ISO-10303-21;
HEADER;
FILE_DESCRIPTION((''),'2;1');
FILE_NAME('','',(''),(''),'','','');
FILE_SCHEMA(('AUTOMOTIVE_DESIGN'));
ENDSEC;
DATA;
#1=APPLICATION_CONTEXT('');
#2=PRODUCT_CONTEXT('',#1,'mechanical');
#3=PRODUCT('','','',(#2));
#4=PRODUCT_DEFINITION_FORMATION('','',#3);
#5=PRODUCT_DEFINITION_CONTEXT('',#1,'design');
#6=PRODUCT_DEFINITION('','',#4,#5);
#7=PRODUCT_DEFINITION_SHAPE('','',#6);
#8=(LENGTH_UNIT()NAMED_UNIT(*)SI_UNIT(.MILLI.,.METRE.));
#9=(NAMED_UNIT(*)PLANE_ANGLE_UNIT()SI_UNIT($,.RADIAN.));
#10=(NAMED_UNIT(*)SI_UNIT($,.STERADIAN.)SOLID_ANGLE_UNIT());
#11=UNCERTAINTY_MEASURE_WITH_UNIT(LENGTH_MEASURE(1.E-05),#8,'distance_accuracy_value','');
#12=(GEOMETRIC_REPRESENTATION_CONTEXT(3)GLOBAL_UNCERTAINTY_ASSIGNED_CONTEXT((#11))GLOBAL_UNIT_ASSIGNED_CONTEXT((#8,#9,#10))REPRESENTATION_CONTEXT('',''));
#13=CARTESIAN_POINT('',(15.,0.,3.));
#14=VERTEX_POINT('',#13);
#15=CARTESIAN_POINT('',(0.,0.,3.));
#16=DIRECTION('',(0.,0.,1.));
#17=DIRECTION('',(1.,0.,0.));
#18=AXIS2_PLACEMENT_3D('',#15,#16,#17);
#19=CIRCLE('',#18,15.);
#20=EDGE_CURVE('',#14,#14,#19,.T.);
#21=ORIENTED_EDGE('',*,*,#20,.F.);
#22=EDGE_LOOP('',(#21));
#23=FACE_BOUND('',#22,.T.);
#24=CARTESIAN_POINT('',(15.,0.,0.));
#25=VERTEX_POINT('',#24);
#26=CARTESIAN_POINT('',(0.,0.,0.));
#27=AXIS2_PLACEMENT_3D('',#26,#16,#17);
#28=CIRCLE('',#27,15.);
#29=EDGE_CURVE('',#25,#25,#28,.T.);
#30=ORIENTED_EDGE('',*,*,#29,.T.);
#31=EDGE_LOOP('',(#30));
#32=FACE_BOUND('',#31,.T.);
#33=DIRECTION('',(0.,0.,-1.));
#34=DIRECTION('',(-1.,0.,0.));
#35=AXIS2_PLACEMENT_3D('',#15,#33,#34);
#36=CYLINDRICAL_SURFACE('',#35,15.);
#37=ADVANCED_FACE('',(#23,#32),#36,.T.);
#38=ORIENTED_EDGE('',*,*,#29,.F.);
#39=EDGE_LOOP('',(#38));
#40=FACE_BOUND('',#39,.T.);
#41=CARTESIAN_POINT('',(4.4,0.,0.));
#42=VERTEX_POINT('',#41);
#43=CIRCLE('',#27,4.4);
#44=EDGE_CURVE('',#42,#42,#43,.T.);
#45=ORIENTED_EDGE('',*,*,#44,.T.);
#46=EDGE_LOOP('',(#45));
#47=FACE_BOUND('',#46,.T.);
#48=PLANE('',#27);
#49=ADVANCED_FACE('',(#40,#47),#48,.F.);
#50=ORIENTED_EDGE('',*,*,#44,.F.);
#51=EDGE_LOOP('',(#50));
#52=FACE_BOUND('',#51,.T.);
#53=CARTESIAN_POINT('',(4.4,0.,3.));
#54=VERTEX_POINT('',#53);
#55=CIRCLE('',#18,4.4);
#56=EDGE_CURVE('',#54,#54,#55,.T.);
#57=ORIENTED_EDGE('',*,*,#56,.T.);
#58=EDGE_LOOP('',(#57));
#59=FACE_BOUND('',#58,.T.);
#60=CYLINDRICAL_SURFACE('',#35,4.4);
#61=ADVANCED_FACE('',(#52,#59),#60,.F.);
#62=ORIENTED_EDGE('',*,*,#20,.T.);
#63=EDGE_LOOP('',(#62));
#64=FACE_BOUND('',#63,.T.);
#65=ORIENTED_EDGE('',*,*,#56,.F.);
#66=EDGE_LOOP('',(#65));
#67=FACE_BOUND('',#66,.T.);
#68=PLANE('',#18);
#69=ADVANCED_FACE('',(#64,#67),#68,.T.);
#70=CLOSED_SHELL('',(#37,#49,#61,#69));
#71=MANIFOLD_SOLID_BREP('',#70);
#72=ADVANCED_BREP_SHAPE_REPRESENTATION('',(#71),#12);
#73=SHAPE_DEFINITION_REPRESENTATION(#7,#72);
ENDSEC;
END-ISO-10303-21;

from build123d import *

# Parameters (mm, degrees)
SKETCH_1_R      = 15
SKETCH_1_R_2    = 4.4
EXTRUDE_1_DEPTH = 3


with BuildPart() as part:
    # Эскиз1 → Бобышка-Вытянуть1 (new body)
    with BuildSketch(Plane.XY):
        Circle(SKETCH_1_R)
        Circle(SKETCH_1_R_2, mode=Mode.SUBTRACT)
    extrude(amount=EXTRUDE_1_DEPTH)


solid = part.part
